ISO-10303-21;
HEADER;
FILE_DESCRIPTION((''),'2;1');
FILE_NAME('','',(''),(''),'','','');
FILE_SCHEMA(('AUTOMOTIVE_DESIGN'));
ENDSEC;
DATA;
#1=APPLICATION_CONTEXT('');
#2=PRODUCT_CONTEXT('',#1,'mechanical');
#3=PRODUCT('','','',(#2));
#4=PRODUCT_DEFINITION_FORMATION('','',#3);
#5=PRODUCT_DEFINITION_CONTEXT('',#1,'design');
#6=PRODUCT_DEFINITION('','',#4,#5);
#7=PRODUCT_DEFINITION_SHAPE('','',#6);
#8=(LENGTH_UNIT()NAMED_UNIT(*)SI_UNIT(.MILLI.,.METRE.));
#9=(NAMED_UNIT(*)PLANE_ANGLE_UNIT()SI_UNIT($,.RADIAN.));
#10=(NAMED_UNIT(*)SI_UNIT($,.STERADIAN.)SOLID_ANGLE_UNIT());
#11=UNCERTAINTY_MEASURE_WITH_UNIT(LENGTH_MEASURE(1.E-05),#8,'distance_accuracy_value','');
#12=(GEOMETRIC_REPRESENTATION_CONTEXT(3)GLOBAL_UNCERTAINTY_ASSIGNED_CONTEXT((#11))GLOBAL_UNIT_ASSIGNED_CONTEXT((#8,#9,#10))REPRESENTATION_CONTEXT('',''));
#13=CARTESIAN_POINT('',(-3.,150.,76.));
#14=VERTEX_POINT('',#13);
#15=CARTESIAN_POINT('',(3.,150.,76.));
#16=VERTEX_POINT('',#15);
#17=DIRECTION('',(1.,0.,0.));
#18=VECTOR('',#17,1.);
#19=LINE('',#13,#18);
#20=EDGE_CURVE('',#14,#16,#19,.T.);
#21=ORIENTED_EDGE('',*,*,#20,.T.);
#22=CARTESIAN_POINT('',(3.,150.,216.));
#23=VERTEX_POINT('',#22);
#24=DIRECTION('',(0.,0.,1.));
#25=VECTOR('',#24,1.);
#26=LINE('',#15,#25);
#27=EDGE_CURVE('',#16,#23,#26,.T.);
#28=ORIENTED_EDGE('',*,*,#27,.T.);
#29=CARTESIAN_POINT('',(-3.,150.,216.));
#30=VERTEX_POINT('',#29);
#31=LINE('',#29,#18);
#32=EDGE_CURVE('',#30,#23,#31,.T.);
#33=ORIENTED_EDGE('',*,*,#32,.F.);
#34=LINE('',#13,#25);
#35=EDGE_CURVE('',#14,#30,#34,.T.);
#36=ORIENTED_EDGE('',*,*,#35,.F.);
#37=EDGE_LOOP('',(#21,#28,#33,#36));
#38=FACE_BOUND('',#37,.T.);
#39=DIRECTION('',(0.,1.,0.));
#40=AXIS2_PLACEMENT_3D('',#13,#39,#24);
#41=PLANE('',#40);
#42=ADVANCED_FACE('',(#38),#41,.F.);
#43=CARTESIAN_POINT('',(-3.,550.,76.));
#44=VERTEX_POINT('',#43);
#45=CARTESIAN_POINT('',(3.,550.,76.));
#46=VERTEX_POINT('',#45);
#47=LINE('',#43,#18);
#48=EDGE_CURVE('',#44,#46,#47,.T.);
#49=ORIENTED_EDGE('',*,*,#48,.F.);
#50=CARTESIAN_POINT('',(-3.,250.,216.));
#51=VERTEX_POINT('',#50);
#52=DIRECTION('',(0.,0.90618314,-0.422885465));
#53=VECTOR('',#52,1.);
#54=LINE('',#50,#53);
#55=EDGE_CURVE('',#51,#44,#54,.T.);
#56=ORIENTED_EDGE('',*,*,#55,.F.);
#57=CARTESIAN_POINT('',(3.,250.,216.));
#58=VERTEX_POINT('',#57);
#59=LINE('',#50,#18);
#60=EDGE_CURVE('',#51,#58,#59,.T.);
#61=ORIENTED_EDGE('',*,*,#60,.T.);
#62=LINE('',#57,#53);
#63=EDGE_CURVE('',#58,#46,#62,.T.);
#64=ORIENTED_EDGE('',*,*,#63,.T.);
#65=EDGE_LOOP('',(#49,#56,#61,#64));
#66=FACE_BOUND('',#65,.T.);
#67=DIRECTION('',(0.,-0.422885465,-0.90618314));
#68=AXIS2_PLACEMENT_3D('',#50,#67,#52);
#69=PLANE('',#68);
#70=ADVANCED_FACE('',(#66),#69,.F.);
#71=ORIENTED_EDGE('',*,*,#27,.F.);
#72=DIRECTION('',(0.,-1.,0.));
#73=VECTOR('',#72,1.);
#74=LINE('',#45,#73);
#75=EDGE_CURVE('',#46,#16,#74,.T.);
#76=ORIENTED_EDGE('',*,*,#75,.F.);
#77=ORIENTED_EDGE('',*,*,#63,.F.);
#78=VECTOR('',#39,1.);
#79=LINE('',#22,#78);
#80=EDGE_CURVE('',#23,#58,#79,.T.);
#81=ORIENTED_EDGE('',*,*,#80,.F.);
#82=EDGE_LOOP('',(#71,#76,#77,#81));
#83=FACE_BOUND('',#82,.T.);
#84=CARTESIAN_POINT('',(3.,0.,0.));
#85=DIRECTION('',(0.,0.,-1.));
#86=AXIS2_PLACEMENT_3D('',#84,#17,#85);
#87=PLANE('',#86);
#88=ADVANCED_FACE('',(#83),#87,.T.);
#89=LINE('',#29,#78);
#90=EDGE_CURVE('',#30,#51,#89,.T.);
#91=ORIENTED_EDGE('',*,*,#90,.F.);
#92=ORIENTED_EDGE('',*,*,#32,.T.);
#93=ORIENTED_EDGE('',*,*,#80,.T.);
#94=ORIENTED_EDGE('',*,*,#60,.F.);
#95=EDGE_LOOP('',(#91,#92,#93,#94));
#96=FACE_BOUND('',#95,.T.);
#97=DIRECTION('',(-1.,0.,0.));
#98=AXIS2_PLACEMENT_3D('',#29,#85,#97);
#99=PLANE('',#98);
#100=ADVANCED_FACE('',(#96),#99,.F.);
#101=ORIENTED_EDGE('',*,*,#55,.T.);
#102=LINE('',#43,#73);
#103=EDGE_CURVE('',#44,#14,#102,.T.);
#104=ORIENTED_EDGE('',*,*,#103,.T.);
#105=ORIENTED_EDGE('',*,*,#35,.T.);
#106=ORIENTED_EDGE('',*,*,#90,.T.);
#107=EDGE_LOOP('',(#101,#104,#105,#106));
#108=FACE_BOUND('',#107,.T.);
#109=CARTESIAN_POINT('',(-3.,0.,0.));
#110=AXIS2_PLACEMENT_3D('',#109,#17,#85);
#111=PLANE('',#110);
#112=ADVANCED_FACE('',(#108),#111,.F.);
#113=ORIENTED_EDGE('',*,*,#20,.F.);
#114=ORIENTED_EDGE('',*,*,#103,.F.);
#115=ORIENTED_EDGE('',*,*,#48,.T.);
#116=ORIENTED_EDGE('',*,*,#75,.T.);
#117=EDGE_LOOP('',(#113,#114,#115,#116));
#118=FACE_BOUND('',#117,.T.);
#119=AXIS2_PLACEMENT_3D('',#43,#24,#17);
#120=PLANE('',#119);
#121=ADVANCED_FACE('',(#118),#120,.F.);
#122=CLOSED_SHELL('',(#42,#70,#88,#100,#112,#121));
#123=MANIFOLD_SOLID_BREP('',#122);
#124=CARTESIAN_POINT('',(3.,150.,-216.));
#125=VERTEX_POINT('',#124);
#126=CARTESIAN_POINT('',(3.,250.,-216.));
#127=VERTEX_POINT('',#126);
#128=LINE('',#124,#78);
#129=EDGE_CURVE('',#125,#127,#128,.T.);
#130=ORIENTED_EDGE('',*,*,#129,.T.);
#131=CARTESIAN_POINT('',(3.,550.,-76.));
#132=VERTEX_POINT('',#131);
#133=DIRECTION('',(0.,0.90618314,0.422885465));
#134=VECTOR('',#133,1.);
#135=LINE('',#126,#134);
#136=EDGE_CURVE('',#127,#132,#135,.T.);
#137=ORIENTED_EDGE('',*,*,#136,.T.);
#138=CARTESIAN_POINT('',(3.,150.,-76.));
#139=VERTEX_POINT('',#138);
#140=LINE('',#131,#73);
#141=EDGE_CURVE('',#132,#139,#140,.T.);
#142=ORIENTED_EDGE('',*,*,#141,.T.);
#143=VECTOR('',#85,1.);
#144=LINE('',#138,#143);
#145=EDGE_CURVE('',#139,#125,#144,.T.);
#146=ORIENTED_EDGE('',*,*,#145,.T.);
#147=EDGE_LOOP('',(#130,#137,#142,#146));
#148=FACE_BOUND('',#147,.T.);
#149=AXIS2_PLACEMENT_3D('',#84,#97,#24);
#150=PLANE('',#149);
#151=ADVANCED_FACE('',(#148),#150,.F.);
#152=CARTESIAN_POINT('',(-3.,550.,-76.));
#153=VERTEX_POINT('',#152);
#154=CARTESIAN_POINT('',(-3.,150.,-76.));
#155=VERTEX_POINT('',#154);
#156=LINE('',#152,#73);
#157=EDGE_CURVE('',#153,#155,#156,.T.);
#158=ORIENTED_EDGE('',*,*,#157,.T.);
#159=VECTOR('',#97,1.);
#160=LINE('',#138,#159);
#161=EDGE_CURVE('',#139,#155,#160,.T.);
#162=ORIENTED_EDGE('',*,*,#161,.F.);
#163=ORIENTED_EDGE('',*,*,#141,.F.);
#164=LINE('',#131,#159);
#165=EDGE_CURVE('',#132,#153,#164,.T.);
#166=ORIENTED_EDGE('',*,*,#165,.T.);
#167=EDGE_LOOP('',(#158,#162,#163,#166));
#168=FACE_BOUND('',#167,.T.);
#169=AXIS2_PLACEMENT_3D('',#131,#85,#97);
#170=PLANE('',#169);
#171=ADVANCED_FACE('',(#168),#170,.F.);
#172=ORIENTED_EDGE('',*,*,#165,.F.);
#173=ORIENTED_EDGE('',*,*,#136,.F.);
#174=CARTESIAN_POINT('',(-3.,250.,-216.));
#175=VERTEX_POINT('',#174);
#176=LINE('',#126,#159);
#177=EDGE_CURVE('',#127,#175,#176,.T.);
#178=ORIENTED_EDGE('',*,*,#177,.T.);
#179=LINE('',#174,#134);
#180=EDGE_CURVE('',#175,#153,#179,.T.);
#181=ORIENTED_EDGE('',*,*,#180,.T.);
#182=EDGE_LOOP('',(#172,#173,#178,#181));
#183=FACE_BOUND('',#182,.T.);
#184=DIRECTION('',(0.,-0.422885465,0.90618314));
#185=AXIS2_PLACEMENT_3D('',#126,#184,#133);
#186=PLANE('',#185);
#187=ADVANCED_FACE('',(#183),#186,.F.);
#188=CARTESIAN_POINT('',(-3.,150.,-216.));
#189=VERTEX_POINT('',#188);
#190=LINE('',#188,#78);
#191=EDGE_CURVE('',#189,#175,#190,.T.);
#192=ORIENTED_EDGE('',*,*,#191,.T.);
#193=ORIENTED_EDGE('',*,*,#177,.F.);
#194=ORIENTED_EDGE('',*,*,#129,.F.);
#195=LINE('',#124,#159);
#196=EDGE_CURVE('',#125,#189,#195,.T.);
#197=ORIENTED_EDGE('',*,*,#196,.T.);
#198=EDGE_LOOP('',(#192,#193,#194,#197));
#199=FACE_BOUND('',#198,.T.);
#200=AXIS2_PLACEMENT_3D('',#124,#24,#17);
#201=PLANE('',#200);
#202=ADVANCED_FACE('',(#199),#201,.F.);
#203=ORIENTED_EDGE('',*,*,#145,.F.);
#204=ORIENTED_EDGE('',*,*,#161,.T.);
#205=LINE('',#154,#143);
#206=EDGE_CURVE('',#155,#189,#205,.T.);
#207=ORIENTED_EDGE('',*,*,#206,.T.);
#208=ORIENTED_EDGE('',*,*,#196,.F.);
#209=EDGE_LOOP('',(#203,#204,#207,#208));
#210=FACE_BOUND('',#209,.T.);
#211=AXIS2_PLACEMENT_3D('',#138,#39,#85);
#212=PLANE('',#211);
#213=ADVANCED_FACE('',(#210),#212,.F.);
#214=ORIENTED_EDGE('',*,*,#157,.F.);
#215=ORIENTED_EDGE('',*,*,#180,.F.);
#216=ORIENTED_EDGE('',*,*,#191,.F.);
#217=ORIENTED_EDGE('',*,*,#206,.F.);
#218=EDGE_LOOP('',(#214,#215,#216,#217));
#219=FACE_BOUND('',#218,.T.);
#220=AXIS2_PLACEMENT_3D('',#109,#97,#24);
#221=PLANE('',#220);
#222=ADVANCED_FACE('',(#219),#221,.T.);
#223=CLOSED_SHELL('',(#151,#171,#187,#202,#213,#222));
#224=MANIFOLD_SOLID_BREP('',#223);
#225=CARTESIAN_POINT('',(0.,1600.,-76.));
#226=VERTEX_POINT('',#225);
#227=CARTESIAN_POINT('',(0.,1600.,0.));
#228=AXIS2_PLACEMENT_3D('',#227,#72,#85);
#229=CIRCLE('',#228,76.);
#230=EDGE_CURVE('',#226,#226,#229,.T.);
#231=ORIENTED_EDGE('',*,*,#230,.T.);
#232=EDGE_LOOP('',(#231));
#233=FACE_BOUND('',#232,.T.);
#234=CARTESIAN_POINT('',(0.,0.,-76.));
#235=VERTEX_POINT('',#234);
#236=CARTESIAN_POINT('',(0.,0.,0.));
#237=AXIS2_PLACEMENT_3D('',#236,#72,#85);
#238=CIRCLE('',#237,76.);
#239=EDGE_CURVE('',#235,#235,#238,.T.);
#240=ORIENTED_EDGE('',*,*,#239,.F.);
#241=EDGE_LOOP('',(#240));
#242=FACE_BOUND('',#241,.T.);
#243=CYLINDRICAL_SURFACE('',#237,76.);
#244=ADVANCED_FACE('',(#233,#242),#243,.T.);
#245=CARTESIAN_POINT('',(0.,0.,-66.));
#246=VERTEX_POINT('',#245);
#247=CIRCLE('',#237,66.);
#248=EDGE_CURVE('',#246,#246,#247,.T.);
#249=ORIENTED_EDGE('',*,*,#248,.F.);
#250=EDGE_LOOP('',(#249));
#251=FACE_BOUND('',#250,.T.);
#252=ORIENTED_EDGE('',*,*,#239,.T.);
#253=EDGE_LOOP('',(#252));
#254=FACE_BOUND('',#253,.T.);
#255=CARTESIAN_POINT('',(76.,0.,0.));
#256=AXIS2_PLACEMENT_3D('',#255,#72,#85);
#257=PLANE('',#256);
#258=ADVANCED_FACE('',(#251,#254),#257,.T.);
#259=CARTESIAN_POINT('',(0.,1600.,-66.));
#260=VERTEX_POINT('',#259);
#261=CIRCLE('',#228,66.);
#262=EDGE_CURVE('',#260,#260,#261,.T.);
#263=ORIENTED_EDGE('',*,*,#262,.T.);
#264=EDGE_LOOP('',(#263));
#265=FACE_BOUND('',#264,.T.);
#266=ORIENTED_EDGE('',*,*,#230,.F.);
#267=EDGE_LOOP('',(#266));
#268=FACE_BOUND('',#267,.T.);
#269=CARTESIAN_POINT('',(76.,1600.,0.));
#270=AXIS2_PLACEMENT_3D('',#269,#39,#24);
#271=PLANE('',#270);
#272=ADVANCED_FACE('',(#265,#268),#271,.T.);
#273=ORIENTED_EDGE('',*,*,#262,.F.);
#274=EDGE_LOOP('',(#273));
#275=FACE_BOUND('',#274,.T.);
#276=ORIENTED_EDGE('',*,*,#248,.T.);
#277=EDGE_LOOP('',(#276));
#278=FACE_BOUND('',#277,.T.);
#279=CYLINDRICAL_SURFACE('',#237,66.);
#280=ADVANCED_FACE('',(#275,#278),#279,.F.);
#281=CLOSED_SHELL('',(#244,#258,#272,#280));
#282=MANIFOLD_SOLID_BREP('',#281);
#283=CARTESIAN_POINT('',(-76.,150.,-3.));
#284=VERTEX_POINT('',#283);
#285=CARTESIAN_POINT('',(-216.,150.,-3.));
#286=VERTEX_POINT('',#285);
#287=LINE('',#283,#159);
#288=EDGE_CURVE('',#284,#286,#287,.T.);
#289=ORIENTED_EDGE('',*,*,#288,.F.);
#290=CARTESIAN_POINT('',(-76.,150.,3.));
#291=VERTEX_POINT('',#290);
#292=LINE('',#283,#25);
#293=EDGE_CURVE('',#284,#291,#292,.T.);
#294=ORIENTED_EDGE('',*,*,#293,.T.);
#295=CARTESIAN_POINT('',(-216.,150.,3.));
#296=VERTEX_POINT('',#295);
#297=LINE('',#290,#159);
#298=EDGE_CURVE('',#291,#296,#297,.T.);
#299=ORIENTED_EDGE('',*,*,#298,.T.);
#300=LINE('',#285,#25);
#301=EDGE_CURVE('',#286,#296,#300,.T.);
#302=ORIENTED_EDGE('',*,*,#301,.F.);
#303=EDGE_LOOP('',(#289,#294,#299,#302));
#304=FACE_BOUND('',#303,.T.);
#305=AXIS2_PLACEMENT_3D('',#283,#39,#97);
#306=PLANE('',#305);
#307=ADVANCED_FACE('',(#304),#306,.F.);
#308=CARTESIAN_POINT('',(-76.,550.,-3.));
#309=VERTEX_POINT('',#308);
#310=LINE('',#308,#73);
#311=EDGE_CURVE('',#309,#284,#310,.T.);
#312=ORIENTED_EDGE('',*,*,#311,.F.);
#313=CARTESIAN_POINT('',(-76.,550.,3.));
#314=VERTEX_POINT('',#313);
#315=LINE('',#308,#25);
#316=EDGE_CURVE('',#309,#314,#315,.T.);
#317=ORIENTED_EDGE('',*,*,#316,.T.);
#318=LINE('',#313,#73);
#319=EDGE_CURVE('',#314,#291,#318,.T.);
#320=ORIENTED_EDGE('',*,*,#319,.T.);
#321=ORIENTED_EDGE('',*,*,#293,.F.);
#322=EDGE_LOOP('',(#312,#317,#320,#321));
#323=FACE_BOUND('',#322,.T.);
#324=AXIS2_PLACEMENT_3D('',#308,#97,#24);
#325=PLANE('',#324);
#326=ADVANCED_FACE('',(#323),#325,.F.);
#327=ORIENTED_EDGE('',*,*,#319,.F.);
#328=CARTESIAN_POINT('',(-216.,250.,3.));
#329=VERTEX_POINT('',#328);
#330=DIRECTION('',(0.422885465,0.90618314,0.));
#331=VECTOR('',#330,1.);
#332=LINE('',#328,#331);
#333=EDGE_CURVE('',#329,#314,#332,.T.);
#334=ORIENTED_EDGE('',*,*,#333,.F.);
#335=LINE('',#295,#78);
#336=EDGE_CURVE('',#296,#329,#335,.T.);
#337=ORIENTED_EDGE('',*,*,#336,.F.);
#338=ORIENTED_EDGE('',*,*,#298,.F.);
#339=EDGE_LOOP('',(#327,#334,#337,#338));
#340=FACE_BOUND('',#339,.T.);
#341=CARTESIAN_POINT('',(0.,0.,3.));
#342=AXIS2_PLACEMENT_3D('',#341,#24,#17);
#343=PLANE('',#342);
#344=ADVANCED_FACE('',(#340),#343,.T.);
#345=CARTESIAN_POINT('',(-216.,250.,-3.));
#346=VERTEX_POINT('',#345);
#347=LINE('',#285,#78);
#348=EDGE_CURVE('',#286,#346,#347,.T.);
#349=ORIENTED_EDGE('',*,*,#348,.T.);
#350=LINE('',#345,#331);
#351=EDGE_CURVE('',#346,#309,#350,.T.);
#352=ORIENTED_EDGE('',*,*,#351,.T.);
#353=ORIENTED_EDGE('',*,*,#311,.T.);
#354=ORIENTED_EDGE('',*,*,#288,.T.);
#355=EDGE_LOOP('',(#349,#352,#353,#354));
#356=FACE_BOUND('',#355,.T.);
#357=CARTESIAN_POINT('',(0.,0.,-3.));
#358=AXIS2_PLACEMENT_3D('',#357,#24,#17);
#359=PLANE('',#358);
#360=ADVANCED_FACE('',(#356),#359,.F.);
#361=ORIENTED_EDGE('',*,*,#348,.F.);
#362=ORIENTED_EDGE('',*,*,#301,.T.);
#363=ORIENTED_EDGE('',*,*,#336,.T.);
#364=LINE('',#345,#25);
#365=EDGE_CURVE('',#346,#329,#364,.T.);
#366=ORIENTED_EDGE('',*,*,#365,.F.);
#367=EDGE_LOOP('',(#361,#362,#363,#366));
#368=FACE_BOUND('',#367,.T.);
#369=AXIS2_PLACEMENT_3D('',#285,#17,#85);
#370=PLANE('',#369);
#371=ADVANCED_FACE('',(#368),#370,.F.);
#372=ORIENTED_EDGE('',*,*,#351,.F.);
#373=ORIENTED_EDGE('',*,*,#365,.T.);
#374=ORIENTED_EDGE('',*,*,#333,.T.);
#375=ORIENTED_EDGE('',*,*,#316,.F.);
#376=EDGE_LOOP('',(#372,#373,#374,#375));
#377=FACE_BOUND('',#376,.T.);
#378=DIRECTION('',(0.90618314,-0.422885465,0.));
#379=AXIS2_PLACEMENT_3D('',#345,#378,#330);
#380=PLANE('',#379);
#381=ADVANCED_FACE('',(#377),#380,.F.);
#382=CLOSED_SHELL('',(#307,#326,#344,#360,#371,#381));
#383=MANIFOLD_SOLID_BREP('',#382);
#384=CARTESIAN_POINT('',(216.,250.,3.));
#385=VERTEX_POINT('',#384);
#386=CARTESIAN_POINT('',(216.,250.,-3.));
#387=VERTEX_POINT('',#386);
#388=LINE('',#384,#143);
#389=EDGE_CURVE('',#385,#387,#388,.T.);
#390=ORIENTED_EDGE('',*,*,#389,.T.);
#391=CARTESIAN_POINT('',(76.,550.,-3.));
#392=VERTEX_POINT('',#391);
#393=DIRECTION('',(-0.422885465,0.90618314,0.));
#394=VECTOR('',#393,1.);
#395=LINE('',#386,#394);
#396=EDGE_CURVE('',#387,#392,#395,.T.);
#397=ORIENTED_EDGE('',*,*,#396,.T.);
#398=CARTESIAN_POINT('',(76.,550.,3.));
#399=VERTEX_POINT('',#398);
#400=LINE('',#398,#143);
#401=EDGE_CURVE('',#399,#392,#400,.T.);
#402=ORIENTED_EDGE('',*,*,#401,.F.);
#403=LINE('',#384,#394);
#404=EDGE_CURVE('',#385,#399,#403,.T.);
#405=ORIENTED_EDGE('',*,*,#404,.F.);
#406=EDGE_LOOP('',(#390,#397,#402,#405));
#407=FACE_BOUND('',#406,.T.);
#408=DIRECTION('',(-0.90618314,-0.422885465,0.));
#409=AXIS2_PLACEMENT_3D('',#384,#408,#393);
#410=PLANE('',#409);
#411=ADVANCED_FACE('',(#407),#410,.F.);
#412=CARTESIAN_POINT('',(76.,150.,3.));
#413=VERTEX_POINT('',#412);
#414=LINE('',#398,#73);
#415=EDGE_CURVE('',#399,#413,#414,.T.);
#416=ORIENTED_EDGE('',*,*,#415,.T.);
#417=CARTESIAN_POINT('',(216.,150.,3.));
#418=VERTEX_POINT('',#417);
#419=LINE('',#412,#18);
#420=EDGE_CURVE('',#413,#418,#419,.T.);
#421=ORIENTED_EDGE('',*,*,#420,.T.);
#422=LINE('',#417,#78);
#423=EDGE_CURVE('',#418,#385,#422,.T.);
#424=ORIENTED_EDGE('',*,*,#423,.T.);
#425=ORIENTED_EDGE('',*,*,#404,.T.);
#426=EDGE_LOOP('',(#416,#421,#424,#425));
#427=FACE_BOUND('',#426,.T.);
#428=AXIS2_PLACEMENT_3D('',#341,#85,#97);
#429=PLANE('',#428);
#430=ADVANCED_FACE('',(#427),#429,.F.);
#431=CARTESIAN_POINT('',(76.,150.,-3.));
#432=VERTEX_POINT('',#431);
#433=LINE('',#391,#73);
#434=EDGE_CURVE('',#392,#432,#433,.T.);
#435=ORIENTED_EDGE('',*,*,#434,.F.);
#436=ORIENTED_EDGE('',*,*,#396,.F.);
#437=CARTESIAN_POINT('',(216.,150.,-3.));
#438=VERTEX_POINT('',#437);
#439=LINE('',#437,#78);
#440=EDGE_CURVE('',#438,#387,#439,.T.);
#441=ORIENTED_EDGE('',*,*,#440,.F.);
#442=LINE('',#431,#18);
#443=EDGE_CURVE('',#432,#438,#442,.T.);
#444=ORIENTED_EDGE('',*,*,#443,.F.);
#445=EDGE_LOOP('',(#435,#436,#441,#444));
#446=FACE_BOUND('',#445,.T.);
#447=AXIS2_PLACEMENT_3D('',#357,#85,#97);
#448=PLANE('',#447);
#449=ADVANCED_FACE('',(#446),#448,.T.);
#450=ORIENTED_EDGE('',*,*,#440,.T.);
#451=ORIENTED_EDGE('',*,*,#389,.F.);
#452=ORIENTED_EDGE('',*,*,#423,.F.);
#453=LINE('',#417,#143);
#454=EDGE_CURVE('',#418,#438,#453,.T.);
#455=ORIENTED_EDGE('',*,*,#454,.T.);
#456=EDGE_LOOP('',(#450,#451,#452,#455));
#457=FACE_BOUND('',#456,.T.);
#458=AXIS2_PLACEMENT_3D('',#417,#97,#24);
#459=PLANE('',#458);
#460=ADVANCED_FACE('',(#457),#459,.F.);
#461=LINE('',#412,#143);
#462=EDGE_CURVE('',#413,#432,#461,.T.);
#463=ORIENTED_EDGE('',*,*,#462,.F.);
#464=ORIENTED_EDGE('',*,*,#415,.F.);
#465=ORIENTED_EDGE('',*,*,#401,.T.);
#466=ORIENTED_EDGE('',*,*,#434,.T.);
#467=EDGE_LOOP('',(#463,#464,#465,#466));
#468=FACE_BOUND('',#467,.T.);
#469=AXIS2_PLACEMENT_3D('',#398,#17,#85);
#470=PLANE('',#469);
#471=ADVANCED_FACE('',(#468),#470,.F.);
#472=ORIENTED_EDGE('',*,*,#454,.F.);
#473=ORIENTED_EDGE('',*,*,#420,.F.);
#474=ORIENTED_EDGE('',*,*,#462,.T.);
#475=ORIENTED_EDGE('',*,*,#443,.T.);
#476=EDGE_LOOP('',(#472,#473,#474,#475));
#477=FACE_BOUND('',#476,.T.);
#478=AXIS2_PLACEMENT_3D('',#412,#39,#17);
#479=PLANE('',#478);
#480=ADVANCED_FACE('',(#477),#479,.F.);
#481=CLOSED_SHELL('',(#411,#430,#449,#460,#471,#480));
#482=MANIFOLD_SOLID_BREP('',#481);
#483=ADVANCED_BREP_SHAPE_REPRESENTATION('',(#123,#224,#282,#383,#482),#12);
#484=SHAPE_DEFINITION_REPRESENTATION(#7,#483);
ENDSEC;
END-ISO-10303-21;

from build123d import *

# Parameters (mm, degrees)
SKETCH1_W                = 10
SKETCH1_H                = 1600
BOSS_EXTRUDE1_DEPTH      = 3
BOSS_EXTRUDE1_DEPTH_BACK = 3
CIRPATTERN2_COUNT        = 4


with BuildPart() as part:
    # Sketch1 → Revolve1 (revolve)
    with BuildSketch(Plane.XY, mode=Mode.PRIVATE) as revolve1_sk:
        with Locations((71, 800)):
            Rectangle(SKETCH1_W, SKETCH1_H)
    revolve(revolve1_sk.sketch.rotate(Axis((0, 0, 0), (0, 1, 0)), 90), axis=Axis((0, 0, 0), (0, 1, 0)))


with BuildPart() as body_2:
    # Sketch2 → Boss-Extrude1 (new, two sides: drawn at the far end of the back side and taken through both)
    with BuildSketch(Plane.XY.offset(-BOSS_EXTRUDE1_DEPTH_BACK)):
        Polygon((-76, 550), (-76, 150), (-216, 150), (-216, 250), align=None)
    extrude(amount=BOSS_EXTRUDE1_DEPTH + BOSS_EXTRUDE1_DEPTH_BACK)


with BuildPart() as cirpattern2_1:
    # CirPattern2: pattern copy
    add(body_2.part.rotate(Axis((0, 0, 0), (0, 1, 0)), 1 * 360 / CIRPATTERN2_COUNT))


with BuildPart() as cirpattern2_2:
    # CirPattern2: pattern copy
    add(body_2.part.rotate(Axis((0, 0, 0), (0, 1, 0)), 2 * 360 / CIRPATTERN2_COUNT))


with BuildPart() as cirpattern2_3:
    # CirPattern2: pattern copy
    add(body_2.part.rotate(Axis((0, 0, 0), (0, 1, 0)), 3 * 360 / CIRPATTERN2_COUNT))


solid = Compound([part.part, body_2.part, cirpattern2_1.part, cirpattern2_2.part, cirpattern2_3.part])
